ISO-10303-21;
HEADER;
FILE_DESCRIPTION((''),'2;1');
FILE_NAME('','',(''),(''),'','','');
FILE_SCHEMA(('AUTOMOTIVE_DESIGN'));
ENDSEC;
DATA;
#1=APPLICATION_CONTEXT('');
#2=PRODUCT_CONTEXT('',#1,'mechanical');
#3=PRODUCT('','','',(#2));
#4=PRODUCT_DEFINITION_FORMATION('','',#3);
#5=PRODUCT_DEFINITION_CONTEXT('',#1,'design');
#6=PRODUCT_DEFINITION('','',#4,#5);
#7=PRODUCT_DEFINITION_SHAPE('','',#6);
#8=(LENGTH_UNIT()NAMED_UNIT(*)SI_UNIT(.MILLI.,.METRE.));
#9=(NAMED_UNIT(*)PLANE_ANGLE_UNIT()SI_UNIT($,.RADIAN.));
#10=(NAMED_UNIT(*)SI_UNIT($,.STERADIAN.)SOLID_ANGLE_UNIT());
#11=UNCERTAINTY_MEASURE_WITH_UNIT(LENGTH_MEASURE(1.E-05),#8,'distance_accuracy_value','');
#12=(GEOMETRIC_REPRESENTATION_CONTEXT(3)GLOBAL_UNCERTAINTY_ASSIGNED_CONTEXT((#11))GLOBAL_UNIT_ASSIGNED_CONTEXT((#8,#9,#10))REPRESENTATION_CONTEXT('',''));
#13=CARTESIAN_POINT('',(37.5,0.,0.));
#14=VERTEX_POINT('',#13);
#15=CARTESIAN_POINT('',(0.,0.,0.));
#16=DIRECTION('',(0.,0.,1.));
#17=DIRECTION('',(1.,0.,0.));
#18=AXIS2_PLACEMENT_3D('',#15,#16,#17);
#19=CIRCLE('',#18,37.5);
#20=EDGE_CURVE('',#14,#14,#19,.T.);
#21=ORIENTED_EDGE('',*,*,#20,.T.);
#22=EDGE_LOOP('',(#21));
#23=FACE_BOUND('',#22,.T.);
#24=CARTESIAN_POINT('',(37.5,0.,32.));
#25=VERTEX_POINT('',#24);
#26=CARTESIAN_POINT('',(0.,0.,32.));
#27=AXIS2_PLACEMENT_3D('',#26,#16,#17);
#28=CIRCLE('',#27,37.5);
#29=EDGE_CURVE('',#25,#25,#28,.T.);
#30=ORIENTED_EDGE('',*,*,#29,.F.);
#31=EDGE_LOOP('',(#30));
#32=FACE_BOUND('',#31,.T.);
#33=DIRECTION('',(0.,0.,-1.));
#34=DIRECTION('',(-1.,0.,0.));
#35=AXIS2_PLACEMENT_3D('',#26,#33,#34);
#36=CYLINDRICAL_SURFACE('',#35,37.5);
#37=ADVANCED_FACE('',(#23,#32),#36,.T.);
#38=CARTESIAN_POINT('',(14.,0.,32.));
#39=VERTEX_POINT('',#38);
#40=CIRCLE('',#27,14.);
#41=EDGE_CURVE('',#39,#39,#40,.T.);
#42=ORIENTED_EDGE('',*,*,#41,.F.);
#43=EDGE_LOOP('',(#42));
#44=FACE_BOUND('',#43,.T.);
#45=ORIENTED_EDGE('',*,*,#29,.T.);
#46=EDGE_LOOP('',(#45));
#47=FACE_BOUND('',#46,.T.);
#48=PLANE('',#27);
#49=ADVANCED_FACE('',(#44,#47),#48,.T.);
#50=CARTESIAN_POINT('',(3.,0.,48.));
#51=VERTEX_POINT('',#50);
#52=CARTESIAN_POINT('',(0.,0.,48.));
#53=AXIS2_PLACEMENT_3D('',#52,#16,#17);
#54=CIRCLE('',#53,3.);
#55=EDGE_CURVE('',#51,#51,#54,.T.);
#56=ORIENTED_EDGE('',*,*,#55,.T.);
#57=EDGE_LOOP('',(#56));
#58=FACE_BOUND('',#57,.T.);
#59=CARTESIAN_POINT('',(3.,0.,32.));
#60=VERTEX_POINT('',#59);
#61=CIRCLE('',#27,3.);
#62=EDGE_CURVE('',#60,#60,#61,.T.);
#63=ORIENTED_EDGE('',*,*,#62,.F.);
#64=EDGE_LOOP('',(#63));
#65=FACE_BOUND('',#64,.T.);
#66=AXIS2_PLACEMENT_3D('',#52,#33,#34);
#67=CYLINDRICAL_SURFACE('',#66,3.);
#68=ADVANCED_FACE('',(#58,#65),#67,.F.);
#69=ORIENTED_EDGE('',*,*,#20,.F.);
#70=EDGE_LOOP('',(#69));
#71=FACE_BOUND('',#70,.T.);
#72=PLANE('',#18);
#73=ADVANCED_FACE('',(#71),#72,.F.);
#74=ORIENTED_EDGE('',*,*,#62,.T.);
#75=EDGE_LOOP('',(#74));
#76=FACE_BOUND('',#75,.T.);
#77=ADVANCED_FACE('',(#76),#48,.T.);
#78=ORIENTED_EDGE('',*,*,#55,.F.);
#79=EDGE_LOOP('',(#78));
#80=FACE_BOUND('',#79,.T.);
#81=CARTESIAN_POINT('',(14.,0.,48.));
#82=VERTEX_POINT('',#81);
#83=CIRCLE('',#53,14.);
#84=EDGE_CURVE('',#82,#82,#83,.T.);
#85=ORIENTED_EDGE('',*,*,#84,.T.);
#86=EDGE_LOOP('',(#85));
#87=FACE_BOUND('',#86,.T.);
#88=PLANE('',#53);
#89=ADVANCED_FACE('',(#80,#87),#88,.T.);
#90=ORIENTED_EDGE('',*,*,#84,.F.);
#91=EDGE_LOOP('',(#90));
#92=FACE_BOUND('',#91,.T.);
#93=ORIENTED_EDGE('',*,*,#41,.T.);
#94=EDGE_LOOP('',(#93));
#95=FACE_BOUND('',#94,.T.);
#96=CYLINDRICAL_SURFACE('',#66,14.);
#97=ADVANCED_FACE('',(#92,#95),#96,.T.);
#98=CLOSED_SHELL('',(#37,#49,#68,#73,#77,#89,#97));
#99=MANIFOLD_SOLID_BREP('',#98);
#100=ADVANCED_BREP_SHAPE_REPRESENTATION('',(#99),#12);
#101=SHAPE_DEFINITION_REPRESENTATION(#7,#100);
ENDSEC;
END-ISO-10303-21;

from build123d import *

# Parameters (mm, degrees)
SKETCH1_R           = 37.5
BOSS_EXTRUDE1_DEPTH = 32
SKETCH2_R           = 14
SKETCH2_R_2         = 3
BOSS_EXTRUDE2_DEPTH = 16


with BuildPart() as part:
    # Sketch1 → Boss-Extrude1 (new body)
    with BuildSketch(Plane.XY):
        Circle(SKETCH1_R)
    extrude(amount=BOSS_EXTRUDE1_DEPTH)

    # Sketch2 → Boss-Extrude2 (add)
    with BuildSketch(Plane.XY.offset(32)):
        Circle(SKETCH2_R)
        Circle(SKETCH2_R_2, mode=Mode.SUBTRACT)
    extrude(amount=BOSS_EXTRUDE2_DEPTH)


solid = part.part
